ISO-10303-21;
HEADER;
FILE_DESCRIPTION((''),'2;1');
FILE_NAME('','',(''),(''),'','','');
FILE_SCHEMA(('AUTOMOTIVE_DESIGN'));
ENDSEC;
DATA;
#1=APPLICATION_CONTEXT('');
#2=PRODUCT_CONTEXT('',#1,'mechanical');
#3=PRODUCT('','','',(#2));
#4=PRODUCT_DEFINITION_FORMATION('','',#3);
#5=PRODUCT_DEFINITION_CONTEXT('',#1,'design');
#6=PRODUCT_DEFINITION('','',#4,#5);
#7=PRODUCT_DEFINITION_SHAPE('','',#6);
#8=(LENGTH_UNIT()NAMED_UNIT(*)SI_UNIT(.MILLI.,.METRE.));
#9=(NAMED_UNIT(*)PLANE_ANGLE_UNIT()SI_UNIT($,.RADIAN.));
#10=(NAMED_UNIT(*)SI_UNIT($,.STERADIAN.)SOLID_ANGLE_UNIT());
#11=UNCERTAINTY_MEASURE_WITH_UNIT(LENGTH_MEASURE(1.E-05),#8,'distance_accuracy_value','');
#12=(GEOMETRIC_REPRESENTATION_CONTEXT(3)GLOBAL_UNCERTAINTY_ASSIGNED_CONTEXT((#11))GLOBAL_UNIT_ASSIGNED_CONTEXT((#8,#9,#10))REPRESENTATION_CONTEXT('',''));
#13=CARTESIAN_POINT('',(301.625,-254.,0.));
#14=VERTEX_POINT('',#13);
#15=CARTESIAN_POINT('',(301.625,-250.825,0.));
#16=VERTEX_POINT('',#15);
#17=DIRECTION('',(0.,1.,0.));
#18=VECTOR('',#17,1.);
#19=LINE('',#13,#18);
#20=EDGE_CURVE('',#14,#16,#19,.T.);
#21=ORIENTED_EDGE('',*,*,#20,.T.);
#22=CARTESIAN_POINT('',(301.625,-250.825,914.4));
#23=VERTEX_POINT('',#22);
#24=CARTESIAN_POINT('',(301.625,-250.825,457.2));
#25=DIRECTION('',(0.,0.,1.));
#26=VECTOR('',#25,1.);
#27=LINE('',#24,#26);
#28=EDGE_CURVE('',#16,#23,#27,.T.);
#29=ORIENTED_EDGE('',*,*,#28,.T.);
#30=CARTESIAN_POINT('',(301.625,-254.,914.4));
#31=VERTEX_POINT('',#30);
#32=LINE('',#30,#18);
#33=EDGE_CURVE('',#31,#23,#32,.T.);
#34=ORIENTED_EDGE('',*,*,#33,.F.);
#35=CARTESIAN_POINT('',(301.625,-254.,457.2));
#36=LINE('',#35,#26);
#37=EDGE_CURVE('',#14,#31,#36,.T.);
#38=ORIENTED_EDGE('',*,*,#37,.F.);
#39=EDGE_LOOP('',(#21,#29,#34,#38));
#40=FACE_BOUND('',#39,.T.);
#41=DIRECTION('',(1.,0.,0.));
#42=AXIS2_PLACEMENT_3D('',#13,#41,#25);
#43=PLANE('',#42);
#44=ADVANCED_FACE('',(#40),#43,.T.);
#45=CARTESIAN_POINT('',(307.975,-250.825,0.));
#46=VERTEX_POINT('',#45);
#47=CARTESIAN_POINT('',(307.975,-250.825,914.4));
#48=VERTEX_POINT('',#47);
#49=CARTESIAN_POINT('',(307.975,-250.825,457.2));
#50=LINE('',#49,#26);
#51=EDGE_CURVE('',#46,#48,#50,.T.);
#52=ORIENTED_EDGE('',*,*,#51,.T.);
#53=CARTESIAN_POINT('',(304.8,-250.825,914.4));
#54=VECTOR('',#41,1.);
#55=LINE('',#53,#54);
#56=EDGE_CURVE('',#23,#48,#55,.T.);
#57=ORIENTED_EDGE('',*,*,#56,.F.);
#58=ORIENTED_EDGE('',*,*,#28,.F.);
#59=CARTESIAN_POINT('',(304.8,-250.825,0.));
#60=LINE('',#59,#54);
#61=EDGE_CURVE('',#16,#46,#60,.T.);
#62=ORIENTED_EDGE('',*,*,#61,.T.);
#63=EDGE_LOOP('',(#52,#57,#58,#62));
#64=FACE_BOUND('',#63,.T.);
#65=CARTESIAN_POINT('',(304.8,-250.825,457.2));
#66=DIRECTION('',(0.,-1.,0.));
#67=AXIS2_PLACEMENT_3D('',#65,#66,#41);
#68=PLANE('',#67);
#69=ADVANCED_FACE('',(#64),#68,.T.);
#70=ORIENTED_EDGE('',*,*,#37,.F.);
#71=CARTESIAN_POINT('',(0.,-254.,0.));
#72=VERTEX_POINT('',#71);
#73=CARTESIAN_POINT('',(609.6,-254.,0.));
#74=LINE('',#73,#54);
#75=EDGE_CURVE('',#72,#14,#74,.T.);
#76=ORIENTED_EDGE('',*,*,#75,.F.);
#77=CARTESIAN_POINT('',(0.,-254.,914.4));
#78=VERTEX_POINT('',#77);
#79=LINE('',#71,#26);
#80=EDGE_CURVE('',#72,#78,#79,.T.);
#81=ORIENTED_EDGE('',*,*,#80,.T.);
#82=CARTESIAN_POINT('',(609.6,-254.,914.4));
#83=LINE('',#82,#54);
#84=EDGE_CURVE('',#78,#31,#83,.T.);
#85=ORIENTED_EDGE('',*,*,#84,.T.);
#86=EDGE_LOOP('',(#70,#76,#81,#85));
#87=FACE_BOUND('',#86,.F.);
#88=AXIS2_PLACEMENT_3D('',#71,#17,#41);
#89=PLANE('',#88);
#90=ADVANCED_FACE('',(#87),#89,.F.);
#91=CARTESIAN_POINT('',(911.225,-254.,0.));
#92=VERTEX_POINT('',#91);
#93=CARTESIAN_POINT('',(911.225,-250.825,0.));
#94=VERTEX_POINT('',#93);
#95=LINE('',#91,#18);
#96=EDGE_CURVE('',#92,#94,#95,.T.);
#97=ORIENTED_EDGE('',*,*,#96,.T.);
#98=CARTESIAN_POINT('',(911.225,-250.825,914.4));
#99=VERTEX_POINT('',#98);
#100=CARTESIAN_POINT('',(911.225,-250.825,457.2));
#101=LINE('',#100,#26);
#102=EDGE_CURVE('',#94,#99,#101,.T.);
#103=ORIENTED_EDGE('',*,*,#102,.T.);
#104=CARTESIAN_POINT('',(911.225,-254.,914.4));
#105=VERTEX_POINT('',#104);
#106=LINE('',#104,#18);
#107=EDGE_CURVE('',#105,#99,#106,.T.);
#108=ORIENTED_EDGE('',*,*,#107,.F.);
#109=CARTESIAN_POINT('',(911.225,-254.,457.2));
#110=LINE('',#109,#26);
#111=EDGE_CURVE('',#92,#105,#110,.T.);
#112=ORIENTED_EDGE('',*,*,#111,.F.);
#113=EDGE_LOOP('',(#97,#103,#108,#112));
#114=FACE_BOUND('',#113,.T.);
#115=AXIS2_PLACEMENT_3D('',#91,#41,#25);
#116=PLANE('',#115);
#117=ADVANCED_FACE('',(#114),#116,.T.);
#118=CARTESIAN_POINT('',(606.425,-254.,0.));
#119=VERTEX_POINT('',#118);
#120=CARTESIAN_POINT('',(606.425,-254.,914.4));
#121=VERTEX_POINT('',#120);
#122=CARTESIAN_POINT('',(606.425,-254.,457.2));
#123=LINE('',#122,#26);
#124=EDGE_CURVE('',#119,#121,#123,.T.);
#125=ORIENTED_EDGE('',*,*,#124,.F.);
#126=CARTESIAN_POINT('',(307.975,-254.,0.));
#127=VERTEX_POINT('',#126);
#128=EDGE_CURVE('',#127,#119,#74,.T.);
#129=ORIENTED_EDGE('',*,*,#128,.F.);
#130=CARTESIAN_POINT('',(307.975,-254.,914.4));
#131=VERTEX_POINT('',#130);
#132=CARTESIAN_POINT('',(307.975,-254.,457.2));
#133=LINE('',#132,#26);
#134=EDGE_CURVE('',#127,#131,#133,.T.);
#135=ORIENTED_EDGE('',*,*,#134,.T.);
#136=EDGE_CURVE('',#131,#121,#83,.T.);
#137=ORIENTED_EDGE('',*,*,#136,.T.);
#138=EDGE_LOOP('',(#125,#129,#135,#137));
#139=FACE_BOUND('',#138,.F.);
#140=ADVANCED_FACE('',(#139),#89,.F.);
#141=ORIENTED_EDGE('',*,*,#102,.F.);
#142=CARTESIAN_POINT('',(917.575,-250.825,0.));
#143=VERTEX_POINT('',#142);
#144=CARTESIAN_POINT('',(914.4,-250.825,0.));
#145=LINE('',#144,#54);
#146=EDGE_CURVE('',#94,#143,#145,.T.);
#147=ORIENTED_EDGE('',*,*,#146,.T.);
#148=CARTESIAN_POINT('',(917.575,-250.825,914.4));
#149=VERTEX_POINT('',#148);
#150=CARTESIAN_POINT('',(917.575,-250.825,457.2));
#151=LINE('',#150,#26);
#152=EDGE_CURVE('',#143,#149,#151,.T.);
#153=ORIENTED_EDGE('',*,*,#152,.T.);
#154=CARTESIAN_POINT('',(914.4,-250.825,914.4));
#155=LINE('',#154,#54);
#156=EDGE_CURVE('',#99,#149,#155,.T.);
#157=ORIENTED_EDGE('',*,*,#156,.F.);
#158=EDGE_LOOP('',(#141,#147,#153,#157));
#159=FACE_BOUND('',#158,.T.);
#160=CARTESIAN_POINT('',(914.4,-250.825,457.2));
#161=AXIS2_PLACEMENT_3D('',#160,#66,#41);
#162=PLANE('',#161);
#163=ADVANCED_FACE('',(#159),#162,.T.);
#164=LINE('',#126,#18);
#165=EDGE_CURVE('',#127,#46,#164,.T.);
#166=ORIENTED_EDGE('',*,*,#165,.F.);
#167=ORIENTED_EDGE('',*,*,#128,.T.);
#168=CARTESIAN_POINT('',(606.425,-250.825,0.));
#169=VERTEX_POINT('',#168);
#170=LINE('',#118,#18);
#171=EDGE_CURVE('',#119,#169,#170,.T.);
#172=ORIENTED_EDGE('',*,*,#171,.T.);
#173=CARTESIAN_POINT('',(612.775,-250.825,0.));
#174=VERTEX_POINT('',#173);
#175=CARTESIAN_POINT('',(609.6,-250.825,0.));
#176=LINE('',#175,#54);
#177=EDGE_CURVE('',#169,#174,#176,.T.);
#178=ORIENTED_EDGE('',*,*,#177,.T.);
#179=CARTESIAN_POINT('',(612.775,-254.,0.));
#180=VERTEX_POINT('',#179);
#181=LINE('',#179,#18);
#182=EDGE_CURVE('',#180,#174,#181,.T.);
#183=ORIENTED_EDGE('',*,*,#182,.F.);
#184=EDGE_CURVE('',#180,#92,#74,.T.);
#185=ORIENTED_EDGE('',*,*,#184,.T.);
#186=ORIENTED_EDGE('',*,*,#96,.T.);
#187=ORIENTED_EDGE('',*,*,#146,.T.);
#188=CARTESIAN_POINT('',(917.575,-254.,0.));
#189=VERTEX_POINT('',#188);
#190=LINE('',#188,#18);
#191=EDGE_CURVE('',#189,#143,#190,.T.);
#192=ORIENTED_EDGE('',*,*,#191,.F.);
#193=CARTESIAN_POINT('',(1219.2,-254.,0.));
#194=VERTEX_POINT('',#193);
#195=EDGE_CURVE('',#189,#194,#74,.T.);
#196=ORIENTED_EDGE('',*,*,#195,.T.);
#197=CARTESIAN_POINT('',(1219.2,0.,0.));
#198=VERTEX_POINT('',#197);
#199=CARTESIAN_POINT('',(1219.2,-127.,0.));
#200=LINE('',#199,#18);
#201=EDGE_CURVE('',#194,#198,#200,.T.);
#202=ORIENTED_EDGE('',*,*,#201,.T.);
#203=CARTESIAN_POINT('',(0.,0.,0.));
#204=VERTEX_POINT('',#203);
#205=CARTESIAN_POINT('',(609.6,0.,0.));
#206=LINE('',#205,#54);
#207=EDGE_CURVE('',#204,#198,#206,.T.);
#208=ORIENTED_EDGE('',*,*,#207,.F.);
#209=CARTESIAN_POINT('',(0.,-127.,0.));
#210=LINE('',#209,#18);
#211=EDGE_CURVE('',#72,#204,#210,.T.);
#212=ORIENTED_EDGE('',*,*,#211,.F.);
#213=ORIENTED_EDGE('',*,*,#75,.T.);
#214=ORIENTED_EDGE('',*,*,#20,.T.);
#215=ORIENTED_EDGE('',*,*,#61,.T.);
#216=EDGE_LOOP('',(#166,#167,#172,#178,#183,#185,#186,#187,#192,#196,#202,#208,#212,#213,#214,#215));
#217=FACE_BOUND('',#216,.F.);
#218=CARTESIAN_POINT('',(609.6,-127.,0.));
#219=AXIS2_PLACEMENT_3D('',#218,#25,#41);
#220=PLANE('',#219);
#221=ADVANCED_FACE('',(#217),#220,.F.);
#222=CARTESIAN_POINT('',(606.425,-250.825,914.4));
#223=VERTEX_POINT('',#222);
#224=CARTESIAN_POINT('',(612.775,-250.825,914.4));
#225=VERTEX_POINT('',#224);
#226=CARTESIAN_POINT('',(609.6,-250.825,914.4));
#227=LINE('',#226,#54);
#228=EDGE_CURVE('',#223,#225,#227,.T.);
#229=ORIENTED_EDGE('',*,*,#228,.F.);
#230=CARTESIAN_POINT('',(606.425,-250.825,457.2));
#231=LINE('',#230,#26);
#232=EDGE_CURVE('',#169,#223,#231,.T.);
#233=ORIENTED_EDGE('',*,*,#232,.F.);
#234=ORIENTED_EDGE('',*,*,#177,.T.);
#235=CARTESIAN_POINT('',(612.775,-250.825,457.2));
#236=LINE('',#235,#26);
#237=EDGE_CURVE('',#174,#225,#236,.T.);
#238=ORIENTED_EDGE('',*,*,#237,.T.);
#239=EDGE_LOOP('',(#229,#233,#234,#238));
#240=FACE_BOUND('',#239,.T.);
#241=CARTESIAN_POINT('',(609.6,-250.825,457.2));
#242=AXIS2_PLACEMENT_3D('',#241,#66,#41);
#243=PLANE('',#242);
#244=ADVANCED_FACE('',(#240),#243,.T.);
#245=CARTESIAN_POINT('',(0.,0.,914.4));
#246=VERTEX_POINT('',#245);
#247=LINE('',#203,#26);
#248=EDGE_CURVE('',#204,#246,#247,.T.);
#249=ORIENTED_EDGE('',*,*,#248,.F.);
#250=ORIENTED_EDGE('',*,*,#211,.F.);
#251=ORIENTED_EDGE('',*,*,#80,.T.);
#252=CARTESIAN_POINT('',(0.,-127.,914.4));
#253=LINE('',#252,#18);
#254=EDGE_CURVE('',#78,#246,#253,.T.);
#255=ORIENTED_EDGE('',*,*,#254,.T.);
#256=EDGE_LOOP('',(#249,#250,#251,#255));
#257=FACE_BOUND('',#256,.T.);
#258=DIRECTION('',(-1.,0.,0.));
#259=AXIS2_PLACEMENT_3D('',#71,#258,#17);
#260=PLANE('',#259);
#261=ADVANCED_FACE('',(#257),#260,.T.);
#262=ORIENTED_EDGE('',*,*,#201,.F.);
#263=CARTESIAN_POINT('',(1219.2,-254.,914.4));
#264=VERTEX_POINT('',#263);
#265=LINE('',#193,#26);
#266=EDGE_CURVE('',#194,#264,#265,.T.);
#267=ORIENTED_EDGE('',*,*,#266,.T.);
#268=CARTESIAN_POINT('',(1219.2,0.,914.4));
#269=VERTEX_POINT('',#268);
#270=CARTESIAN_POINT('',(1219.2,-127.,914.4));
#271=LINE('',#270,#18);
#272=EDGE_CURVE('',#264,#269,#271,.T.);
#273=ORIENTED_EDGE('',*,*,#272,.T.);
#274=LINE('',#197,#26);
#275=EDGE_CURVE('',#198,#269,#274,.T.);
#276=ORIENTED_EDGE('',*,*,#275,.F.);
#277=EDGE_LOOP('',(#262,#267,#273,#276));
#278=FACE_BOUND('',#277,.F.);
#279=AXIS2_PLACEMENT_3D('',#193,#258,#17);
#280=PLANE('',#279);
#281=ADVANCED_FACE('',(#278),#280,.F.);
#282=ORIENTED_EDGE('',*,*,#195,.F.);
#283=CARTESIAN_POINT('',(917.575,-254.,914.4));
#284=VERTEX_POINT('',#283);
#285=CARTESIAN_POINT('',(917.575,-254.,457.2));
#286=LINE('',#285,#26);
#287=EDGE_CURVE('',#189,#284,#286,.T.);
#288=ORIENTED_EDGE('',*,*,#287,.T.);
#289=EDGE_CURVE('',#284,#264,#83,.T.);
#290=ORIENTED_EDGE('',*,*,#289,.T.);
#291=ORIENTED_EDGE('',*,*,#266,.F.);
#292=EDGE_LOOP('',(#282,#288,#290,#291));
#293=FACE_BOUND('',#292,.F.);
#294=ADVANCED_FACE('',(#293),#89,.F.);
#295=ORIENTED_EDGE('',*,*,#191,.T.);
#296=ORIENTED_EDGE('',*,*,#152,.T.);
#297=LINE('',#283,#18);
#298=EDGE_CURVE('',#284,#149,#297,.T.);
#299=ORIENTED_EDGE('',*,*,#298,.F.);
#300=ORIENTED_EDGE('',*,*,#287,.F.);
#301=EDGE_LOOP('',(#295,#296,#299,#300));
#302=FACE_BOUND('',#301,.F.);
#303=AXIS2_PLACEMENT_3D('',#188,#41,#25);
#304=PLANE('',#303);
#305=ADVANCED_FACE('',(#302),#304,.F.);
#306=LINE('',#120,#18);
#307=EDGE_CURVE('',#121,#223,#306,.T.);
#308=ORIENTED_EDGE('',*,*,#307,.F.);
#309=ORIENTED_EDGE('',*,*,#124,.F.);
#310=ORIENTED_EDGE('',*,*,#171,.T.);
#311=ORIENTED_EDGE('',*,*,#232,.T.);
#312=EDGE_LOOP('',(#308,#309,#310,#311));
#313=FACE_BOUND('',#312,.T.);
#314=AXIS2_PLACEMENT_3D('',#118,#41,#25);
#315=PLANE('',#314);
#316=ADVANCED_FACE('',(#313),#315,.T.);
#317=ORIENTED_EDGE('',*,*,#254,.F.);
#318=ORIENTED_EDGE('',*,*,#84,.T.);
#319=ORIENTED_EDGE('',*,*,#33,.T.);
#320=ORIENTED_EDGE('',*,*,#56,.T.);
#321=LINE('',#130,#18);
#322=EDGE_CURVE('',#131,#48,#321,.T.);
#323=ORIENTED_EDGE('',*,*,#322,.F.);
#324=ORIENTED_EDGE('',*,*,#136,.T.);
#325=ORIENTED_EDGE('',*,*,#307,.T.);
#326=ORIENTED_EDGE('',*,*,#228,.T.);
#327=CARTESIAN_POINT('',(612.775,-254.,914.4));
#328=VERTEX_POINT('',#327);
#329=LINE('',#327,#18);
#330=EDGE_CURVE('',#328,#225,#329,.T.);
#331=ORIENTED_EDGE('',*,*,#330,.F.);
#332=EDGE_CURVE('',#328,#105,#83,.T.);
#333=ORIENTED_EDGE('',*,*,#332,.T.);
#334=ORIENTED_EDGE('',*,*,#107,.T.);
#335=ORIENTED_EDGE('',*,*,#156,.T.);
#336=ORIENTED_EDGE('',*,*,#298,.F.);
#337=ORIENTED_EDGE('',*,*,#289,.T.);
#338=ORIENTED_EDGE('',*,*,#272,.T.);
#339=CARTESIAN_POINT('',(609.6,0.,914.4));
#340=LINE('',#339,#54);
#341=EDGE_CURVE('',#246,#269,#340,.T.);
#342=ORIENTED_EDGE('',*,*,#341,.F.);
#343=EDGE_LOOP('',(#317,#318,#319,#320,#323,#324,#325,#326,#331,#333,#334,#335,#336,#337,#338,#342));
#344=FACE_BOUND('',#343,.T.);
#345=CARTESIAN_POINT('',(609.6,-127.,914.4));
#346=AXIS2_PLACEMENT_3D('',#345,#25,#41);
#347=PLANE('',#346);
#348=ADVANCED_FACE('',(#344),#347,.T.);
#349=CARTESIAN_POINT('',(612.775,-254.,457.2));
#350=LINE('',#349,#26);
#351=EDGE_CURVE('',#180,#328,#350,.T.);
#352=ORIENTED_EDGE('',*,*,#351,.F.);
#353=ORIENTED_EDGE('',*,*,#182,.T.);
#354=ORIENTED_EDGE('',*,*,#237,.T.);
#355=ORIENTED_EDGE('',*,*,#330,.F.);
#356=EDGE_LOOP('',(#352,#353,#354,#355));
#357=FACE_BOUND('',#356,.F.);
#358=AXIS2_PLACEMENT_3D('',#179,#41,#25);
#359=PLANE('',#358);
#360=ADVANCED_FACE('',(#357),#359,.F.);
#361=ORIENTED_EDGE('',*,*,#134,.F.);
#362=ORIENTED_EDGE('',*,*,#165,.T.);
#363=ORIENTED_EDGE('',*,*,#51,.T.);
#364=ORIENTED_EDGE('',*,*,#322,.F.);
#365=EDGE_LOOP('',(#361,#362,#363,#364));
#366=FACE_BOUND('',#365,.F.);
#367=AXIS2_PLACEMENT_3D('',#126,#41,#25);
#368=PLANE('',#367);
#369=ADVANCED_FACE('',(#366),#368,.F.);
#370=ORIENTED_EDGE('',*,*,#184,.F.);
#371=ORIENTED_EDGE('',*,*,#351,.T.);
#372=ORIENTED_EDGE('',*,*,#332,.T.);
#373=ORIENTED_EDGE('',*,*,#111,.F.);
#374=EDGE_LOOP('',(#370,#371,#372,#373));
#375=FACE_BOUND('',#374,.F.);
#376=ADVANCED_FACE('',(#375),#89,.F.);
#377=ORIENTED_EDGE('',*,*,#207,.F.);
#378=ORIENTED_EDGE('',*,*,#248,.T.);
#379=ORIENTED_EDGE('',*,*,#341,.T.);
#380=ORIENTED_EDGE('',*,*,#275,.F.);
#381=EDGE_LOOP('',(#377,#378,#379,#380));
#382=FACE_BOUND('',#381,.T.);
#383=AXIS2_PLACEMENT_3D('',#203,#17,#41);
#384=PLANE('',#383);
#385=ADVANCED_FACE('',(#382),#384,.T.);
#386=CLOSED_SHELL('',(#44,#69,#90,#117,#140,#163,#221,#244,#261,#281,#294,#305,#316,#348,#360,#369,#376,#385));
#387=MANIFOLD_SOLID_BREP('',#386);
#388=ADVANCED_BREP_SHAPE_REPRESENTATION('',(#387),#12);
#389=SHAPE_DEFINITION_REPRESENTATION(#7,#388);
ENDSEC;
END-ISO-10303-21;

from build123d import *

# Parameters (mm, degrees)
F0_W     = 1219.2
F0_H     = 254
F1_DEPTH = 914.4
F2_W     = 6.35
F2_H     = 914.4
F3_DEPTH = 3.175


with BuildPart() as f1:
    # F0 (on Top) → F1 (new body)
    with BuildSketch(Plane.XY):
        with Locations((609.6, -127)):
            Rectangle(F0_W, F0_H)
    extrude(amount=F1_DEPTH)

    # F2 (on face) → F3 (cut)
    with BuildSketch(Plane.XZ.offset(254)):
        with Locations((609.6, 457.2)):
            Rectangle(F2_W, F2_H)
        with Locations((914.4, 457.2)):
            Rectangle(F2_W, F2_H)
        with Locations((304.8, 457.2)):
            Rectangle(F2_W, F2_H)
    extrude(amount=-F3_DEPTH, mode=Mode.SUBTRACT)


solid = f1.part
